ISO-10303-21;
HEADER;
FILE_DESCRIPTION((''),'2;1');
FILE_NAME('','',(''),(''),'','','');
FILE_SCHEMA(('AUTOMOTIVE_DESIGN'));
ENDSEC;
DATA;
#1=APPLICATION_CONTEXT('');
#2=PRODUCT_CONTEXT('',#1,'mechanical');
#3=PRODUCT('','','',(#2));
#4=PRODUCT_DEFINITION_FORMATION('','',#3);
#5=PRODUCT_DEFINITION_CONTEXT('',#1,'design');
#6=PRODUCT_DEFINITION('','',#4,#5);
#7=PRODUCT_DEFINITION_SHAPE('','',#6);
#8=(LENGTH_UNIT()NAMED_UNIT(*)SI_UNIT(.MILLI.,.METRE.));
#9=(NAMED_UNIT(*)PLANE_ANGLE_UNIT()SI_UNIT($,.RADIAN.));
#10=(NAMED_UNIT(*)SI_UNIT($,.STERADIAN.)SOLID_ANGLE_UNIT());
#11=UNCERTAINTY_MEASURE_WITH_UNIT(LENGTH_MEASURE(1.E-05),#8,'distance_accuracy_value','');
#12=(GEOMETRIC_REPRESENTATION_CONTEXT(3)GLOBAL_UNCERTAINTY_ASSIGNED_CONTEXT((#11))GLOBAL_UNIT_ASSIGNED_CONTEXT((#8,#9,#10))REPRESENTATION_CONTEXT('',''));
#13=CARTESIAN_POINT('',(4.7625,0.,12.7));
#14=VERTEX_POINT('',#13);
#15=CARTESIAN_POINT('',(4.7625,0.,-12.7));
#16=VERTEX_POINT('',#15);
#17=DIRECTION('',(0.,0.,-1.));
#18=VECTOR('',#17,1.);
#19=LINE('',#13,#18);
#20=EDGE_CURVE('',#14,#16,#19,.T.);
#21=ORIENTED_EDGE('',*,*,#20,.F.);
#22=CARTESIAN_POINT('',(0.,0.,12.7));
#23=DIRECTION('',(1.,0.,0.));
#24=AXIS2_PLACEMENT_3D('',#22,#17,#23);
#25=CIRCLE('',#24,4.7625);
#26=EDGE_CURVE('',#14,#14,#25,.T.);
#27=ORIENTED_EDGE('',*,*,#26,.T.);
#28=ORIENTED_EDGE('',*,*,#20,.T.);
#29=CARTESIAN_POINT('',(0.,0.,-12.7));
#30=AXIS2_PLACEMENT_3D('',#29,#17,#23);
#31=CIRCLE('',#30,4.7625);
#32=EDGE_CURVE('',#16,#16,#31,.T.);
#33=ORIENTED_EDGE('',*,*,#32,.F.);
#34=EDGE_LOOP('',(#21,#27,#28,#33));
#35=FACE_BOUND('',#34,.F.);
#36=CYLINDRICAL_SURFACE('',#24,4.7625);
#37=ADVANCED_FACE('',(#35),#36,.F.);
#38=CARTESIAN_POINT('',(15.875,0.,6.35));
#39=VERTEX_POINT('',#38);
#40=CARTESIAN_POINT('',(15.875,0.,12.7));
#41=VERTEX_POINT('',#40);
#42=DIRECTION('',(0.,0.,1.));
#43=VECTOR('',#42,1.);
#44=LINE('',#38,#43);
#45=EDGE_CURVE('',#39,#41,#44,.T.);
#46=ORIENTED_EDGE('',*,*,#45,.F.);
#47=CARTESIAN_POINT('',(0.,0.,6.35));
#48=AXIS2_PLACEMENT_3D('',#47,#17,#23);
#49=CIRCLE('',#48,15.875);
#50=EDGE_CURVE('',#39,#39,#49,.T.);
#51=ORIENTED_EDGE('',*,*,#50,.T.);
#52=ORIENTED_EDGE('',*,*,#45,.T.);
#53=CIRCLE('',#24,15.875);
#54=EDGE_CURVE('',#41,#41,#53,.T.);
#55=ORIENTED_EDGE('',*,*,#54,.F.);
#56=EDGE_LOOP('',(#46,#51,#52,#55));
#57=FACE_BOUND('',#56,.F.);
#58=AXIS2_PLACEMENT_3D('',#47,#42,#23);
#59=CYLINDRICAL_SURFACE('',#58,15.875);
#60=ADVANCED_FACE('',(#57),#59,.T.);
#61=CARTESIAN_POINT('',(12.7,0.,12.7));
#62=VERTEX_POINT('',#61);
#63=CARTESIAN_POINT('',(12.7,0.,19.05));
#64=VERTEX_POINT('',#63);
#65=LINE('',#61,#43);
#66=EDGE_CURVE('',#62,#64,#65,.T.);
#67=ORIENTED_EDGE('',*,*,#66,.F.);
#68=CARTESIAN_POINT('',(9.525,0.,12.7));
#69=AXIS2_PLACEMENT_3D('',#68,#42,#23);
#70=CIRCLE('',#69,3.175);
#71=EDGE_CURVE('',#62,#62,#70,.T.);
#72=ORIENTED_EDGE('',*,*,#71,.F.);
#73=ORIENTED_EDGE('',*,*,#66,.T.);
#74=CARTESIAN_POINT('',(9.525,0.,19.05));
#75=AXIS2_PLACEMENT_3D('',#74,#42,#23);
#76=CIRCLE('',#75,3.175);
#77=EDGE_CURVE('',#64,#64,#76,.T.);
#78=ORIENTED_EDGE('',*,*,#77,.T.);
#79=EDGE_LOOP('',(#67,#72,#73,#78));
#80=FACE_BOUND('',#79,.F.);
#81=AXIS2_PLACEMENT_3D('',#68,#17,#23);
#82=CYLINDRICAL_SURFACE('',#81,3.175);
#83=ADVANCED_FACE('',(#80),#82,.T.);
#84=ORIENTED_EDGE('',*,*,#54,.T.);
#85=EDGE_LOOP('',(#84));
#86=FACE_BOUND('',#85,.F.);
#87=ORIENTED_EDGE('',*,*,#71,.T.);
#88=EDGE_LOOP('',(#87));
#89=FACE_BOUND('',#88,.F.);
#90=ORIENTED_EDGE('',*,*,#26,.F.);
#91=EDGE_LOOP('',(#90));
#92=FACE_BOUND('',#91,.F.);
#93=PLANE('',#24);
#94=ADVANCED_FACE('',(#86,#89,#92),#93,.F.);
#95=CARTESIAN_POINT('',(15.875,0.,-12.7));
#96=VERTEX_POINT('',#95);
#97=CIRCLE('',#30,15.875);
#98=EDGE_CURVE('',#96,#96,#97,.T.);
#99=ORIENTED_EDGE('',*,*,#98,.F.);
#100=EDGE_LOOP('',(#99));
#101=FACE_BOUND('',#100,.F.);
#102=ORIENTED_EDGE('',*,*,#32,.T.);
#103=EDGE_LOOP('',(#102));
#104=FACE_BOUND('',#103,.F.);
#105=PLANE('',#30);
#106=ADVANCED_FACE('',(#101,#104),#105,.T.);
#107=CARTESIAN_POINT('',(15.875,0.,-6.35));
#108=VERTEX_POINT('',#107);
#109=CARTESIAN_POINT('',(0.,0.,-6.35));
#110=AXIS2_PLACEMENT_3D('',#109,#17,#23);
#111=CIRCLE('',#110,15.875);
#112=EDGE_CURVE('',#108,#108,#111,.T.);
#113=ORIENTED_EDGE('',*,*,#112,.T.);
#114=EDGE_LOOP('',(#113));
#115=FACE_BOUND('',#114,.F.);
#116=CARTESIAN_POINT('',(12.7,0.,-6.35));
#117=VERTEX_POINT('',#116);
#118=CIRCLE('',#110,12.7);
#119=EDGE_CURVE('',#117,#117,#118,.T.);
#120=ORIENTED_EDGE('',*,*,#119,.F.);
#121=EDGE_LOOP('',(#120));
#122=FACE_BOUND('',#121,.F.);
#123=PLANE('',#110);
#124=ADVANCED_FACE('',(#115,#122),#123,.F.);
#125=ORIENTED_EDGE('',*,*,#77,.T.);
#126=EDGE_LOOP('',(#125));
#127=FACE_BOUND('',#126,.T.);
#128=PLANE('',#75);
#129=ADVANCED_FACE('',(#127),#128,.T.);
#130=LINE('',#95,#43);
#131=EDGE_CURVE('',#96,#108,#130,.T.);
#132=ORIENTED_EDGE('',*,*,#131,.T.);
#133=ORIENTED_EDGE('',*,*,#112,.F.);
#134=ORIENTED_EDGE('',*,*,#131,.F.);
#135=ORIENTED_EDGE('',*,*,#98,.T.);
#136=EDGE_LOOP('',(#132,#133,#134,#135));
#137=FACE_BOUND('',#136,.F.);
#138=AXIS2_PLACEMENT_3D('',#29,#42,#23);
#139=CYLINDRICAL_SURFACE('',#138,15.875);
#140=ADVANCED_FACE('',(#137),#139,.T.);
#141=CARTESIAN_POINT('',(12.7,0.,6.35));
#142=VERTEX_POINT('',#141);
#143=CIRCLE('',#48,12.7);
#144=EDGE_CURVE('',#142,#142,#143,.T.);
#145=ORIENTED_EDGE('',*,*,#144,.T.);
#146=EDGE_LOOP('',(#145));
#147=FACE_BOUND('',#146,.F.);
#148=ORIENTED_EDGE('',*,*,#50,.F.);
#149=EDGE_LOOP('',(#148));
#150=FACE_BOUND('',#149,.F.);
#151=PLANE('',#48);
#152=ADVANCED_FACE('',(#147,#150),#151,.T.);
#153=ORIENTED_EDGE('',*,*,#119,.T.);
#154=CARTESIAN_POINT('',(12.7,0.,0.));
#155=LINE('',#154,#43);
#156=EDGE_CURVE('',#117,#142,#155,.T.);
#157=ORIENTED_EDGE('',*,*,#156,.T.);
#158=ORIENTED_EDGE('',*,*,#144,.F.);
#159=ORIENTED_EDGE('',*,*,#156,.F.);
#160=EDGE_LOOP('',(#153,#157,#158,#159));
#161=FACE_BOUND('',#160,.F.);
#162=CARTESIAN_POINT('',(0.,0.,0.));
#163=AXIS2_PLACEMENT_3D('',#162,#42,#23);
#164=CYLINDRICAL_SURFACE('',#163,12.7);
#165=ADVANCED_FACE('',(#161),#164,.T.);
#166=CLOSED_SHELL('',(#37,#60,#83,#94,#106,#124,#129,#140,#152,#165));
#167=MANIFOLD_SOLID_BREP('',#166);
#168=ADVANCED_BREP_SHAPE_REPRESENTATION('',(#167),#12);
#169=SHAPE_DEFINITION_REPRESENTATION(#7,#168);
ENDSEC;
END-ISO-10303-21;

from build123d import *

# Parameters (mm, degrees)
F0_W     = 7.9375
F0_H     = 12.7
F2_R     = 3.175
F3_DEPTH = 6.35


with BuildPart() as f1:
    # F0 (on Front) → F1 (revolve)
    with BuildSketch(Plane.XZ):
        Polygon((4.7625, 12.7), (4.7625, 6.35), (12.7, 6.35), (15.875, 6.35), (15.875, 12.7), align=None)
        with Locations((8.73125, 0)):
            Rectangle(F0_W, F0_H)
        Polygon((12.7, -6.35), (4.7625, -6.35), (4.7625, -12.7), (15.875, -12.7), (15.875, -6.35), align=None)
    revolve(axis=Axis((0, 0, 0), (0, 0, -1)))

    # F2 (on face) → F3 (join)
    with BuildSketch(Plane.XY.offset(12.7)):
        with Locations((9.525, 0)):
            Circle(F2_R)
    extrude(amount=F3_DEPTH)


solid = f1.part
